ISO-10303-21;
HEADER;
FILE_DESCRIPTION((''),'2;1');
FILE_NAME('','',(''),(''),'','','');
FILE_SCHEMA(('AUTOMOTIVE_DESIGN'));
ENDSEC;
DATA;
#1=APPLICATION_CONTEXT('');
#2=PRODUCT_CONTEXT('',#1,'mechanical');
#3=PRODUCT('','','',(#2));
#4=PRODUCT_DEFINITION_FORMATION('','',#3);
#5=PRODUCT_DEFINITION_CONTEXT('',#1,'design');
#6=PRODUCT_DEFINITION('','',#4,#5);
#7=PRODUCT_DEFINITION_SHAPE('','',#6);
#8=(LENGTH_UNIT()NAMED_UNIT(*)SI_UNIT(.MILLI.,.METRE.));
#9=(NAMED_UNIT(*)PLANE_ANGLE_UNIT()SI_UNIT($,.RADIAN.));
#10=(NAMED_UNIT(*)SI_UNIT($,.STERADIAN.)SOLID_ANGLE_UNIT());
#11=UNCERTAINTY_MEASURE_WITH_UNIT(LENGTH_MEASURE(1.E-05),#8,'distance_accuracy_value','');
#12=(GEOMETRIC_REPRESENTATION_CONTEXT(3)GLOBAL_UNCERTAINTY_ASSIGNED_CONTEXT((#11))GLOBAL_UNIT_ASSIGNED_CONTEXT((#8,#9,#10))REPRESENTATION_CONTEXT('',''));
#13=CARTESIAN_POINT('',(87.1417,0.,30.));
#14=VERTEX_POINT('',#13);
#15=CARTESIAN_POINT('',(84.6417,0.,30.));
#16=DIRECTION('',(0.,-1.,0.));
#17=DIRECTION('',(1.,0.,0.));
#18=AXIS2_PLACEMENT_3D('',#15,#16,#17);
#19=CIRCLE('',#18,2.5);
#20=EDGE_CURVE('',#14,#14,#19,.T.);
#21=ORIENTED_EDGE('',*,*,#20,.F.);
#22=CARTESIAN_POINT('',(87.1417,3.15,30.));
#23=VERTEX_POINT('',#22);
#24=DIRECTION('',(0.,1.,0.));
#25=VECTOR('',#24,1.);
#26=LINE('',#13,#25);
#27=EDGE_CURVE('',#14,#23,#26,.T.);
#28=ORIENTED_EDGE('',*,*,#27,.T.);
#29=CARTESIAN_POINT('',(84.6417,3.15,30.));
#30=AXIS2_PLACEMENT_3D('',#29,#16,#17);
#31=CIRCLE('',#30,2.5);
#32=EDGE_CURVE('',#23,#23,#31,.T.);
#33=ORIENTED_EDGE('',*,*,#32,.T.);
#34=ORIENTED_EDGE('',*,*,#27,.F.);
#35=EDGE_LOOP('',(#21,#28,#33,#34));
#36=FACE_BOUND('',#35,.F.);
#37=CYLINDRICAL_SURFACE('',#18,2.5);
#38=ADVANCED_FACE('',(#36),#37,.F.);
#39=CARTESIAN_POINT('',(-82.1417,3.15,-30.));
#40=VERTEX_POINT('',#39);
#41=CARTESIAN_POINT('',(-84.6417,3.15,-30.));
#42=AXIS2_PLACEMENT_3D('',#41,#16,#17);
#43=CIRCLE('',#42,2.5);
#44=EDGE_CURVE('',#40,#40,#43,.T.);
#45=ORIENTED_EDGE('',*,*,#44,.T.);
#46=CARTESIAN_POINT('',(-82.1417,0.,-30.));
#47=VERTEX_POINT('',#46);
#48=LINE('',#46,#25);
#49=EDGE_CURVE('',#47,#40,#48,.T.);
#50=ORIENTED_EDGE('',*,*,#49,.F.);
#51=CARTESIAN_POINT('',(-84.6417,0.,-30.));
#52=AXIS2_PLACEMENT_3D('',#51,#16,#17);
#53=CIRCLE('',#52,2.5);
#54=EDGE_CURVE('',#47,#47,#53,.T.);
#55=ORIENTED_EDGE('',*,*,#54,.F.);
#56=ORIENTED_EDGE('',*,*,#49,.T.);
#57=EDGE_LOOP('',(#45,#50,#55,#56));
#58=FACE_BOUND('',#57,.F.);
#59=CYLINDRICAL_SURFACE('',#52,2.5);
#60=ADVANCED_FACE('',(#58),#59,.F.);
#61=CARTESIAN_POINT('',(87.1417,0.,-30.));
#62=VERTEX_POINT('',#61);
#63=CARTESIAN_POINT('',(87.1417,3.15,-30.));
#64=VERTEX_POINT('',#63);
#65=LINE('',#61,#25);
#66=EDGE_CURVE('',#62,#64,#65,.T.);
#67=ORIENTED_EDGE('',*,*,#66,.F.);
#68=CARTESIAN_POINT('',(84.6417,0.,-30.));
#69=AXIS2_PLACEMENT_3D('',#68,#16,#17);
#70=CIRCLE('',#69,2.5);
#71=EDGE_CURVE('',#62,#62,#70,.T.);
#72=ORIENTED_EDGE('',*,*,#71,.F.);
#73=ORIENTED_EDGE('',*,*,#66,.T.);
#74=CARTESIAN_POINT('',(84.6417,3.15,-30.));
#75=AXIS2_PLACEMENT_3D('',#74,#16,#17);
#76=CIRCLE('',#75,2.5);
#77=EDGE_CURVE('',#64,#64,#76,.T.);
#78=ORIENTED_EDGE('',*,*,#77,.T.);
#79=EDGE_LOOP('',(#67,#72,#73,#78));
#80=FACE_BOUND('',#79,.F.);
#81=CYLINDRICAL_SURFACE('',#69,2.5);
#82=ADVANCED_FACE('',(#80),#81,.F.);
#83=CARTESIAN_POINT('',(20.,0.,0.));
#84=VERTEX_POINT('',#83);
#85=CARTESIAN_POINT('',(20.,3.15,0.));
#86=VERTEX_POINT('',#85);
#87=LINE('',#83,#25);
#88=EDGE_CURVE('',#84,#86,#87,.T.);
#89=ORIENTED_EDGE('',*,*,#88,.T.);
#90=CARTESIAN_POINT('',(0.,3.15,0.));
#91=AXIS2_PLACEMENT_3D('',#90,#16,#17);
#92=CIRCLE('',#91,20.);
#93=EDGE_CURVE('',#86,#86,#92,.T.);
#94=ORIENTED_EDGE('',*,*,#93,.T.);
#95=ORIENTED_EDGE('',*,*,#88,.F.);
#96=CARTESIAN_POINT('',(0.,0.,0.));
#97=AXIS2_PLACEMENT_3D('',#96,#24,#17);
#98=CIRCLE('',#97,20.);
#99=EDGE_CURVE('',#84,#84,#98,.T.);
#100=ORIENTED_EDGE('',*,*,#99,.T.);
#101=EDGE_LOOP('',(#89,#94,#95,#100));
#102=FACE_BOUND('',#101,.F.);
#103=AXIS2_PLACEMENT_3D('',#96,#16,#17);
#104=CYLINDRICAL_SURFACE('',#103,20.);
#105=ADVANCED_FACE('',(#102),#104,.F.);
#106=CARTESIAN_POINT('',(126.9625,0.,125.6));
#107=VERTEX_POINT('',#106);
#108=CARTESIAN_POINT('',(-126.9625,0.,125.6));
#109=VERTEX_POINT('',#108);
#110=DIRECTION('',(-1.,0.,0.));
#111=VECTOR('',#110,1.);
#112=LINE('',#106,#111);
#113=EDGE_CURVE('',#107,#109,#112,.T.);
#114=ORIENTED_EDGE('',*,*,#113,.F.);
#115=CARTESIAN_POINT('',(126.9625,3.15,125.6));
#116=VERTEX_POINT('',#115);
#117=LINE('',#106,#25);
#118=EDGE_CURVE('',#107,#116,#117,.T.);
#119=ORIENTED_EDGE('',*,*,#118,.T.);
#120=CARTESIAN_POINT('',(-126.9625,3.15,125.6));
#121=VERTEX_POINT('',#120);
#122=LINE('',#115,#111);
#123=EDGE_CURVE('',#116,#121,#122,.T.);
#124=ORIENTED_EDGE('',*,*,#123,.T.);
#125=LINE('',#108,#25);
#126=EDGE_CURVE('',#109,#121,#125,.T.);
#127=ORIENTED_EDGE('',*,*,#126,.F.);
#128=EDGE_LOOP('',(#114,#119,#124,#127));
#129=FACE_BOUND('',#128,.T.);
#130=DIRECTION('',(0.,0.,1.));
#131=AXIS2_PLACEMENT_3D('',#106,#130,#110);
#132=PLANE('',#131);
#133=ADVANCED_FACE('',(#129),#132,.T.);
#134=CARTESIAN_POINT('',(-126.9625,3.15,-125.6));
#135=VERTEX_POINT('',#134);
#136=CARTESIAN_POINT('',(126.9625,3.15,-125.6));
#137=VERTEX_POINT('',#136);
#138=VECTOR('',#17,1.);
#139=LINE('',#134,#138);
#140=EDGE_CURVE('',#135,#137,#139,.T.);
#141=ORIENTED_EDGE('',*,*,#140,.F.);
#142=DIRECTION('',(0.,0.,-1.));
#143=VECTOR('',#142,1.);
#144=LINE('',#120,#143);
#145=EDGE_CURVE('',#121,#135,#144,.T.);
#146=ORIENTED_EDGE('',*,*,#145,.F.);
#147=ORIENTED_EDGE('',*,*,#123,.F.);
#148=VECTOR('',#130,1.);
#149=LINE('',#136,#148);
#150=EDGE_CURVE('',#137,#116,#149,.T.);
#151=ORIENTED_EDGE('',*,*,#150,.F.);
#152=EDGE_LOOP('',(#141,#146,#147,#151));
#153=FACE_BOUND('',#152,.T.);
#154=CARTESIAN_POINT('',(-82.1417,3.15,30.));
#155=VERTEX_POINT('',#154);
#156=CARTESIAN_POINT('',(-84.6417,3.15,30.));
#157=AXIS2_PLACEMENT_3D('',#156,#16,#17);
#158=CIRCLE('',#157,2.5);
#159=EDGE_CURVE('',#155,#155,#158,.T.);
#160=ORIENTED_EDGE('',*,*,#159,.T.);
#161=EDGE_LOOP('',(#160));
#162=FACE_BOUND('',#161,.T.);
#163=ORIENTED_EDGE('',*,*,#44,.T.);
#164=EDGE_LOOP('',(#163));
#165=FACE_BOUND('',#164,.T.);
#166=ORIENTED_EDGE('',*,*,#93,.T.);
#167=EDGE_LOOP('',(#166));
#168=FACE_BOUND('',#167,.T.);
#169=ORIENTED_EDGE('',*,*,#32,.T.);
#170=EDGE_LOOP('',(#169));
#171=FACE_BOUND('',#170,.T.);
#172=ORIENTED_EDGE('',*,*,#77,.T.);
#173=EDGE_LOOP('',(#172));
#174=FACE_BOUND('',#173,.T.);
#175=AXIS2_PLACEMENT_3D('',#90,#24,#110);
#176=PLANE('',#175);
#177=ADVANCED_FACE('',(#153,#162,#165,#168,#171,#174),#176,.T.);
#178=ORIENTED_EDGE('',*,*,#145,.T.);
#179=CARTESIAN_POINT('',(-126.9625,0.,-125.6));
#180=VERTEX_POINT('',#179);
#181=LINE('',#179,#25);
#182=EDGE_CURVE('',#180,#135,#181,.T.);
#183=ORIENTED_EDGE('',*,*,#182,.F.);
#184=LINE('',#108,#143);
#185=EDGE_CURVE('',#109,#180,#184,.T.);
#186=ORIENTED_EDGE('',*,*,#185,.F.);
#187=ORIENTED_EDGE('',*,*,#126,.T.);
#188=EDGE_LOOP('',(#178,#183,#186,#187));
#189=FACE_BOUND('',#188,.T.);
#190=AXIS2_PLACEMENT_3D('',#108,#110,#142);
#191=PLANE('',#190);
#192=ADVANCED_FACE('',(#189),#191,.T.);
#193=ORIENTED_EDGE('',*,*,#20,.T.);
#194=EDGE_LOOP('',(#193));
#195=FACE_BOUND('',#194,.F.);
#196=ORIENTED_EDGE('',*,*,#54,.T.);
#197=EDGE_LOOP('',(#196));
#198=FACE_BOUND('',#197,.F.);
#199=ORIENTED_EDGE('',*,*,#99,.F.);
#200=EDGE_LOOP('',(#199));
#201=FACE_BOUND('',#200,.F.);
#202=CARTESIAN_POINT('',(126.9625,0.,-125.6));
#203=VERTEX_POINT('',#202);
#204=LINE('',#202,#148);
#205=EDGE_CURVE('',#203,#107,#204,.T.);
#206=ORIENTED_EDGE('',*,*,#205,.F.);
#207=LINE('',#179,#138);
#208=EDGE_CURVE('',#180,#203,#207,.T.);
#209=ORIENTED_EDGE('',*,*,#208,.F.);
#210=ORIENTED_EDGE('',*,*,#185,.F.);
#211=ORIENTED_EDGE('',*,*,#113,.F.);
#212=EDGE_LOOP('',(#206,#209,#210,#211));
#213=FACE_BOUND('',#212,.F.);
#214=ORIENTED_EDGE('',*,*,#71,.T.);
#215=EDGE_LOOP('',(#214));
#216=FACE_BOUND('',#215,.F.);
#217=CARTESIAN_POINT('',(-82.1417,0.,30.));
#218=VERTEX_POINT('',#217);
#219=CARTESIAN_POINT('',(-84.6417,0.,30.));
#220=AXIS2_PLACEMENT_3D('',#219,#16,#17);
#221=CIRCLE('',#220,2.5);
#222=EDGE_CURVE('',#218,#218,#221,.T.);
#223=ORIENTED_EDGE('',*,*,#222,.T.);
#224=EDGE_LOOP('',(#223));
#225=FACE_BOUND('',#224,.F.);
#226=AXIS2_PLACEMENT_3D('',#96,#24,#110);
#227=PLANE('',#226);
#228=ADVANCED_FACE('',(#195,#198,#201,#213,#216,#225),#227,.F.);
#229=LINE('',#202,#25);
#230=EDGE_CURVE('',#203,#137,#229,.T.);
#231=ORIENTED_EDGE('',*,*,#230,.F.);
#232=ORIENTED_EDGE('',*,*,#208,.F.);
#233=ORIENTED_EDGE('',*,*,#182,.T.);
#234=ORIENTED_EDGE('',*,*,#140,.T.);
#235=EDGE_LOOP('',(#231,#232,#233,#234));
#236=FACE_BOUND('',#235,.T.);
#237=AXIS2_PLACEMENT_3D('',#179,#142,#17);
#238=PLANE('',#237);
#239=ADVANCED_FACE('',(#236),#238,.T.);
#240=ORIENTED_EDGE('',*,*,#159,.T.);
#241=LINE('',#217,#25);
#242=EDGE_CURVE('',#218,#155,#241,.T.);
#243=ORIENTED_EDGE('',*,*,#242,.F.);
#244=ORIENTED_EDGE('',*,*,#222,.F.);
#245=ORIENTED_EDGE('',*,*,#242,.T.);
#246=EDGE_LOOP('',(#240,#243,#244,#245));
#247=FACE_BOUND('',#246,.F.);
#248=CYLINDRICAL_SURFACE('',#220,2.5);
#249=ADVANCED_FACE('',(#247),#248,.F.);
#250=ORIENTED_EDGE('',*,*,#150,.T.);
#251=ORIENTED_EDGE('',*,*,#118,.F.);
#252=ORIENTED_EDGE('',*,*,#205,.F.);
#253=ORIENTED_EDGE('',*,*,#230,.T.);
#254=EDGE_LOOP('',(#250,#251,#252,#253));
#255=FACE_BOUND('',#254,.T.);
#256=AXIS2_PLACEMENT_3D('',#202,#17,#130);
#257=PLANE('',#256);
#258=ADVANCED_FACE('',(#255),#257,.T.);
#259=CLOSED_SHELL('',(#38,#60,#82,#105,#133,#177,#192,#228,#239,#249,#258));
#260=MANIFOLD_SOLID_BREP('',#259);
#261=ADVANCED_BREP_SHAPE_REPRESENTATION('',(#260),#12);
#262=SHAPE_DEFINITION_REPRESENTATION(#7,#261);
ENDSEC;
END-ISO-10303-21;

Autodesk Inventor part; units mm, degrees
ref_plane "YZ Plane" through (0, 0, 0) normal (1, 0, 0) x (0, 1, 0)
ref_plane "XZ Plane" through (0, 0, 0) normal (0, 1, 0) x (-1, 0, 0)
ref_plane "XY Plane" through (0, 0, 0) normal (0, 0, 1) x (1, 0, 0)
sketch "Sketch1" plane through (0, 0, 0) normal (0, 1, 0) x (-1, 0, 0)
  line L0 (126.9625, -125.6) -> (-126.9625, -125.6)
  line L1 (-126.9625, -125.6) -> (-126.9625, 125.6)
  line L2 (-126.9625, 125.6) -> (126.9625, 125.6)
  line L3 (126.9625, 125.6) -> (126.9625, -125.6)
  line L4 (126.9625, -125.6) -> (-126.9625, 125.6) construction
  line L5 (-126.9625, -125.6) -> (126.9625, 125.6) construction
  point P0 (0, 0)
  dimension "d0" = 253.925
  dimension "d1" = 251.2
extrude "Extrusion1" add sketch "Sketch1" along normal blind 3.15
sketch "Sketch4" plane through (0, 0, 0) normal (0, -1, 0) x (1, 0, 0)
  line L0 (-126.9625, 125.6) -> (-126.9625, -125.6) projected
  line L1 (126.9625, -40) -> (-126.9625, -40)
  line L2 (-126.9625, -40) -> (-126.9625, 40)
  line L3 (-126.9625, 40) -> (126.9625, 40)
  line L4 (126.9625, 40) -> (126.9625, -40)
  line L5 (126.9625, -40) -> (-126.9625, 40) construction
  line L6 (-126.9625, -40) -> (126.9625, 40) construction
  circle A0 centre (-84.6417, 30) radius 2.5
  line L7 (0, 0) -> (-126.9625, 0)
  line L8 (-126.9625, 0) -> (-126.9625, 40)
  line L9 (-126.9625, 40) -> (0, 40)
  line L10 (0, 40) -> (0, 0)
  circle A1 centre (-84.6417, -30) radius 2.5
  circle A2 centre (84.6417, 30) radius 2.5
  circle A3 centre (84.6417, -30) radius 2.5
  circle A4 centre (0, 0) radius 20
  dimension "d20" = 80
  dimension "d21" = 5
  dimension "d22" = 10
  dimension "d23" = 84.6417
  dimension "d24" = 40
extrude "Extrusion4" cut sketch "Sketch4" against normal up to next contours A4 L10 L7 | L7 L10 A4 | A0 | A1 | A2 | A3
equation "\"d0\" = visor_x"
equation "\"d1\" = 2 * visor_y + frame_y"
equation "\"d2\" = clear_acrylic"
equation "\"d20\" = frame_y"
equation "\"d21\" = m5_diameter"
equation "\"d22\" = 0.5 * visor_overlap"
equation "\"d23\" = 0.333333 * visor_x"
equation "\"d24\" = 0.5 * frame_y"
equation "\"sm_thickness\" = 1.5875"
equation "\"very_thick_acrylic\" = 9.45"
equation "\"thick_acrylic\" = 5.88"
equation "\"thin_acrylic\" = 3.15"
equation "\"clear_acrylic\" = 3.15"
equation "\"wood_thickness\" = 6.72"
equation "\"m3_diameter\" = 3"
equation "\"m4_diameter\" = 4"
equation "\"m5_diameter\" = 5"
equation "\"brass_insert_drill\" = 4"
equation "\"m5_brass_insert_drill\" = 6.7"
equation "\"m3_main_length\" = 14"
equation "\"m3_main_nut_width\" = 5.7"
equation "\"m3_main_nut_thickness\" = 2.5"
equation "\"m3_main_extra\" = 1"
equation "\"stepper_screw_space\" = 35"
equation "\"stepper_shaft_diameter\" = 5"
equation "\"stepper_body_diameter\" = 28"
equation "\"laser_body_diameter\" = 12"
equation "\"t_carrier\" = 5.88"
equation "\"t_wall\" = 5.88"
equation "\"t_window\" = 3.15"
equation "\"carrier_y\" = 251"
equation "\"carrier_z\" = 12"
equation "\"carrier_z2\" = 25"
equation "\"protection_slot\" = 44.2"
equation "\"protection_slot_offset\" = 55.25"
equation "\"window_z\" = 332.225"
equation "\"window_y\" = 93.75"
equation "\"door_sensor\" = 35"
equation "\"reservoir_x\" = 201"
equation "\"reservoir_y\" = 201"
equation "\"linear_bearing_spacing\" = 271"
equation "\"motor_spacing\" = 337"
equation "\"t_tray\" = 3.15"
equation "\"tray_border\" = 25"
equation "\"tray_x\" = 251"
equation "\"tray_y\" = 251"
equation "\"bed_z\" = 25"
equation "\"brass_keep_out\" = 8"
equation "\"tape_keep_out\" = 2"
equation "\"tape_thickness\" = 2"
equation "\"t_crane\" = 6.72"
equation "\"crane_z2\" = 12"
equation "\"end_stop_spacing\" = 19"
equation "\"thumb_nut_offset_y\" = 0"
equation "\"thumb_nut_diameter\" = 7"
equation "\"z_min_from_center\" = 115"
equation "\"t_frame\" = 6.72"
equation "\"frame_top_z\" = 385"
equation "\"frame_bottom_z\" = 275"
equation "\"frame_total_z\" = 661.5875"
equation "\"frame_y\" = 80"
equation "\"frame_border\" = 48.0375"
equation "\"frame_foot_z\" = 12"
equation "\"frame_tilt\" = 1deg"
equation "\"printer_z\" = 289"
equation "\"lcd_x\" = 72"
equation "\"lcd_y\" = 25"
equation "\"subframe_x\" = 66"
equation "\"subframe_y_offset\" = 27.5"
equation "\"laser_y_offset\" = 19.4"
equation "\"laser_diameter\" = 12"
equation "\"laser_z_offset\" = 55"
equation "\"laser_y\" = 15"
equation "\"laser_z\" = 75"
equation "\"t_galvo_frame\" = 6.72"
equation "\"galvo_frame_x\" = 66"
equation "\"galvo_frame_z\" = 85"
equation "\"galvo_frame_y_offset\" = 27.5"
equation "\"drawer_x\" = 257.3"
equation "\"drawer_y\" = 90.3375"
equation "\"drawer_z\" = 278.175"
equation "\"drawer_z_from_bottom\" = 25"
equation "\"nema17_x\" = 43"
equation "\"visor_y\" = 85.6"
equation "\"visor_x\" = 253.925"
equation "\"door_z\" = 332.225"
equation "\"door_x\" = 251"
equation "\"window_overlap\" = 48"
equation "\"door_overlap\" = 48"
equation "\"acrylic_into_frame\" = 5"
equation "\"m3_press_nut_drill\" = 4.5"
equation "\"m3_head\" = 6"
equation "\"m5_head\" = 10.3"
equation "\"m5_press_nut_drill\" = 6.5"
equation "\"drawer_support_from_top\" = 48"
equation "\"laser_gap\" = 1"
equation "\"frame_screw_from_center\" = 25"
equation "\"drawer_screw_from_center\" = 55"
equation "\"frame_face_y\" = 45"
equation "\"switch_spacing\" = 19"
equation "\"subframe_y\" = 55"
equation "\"al_thickness\" = 1.5875"
equation "\"rivet_diameter\" = 3.3"
equation "\"bend_factor\" = 2.26205"
equation "\"al_bend\" = 3.591"
equation "\"sm_bend\" = 3.591"
equation "\"frame_x\" = 353.375"
equation "\"carrier_y2\" = 76.825"
equation "\"visor_overlap\" = 20"
properties part number "visor"
